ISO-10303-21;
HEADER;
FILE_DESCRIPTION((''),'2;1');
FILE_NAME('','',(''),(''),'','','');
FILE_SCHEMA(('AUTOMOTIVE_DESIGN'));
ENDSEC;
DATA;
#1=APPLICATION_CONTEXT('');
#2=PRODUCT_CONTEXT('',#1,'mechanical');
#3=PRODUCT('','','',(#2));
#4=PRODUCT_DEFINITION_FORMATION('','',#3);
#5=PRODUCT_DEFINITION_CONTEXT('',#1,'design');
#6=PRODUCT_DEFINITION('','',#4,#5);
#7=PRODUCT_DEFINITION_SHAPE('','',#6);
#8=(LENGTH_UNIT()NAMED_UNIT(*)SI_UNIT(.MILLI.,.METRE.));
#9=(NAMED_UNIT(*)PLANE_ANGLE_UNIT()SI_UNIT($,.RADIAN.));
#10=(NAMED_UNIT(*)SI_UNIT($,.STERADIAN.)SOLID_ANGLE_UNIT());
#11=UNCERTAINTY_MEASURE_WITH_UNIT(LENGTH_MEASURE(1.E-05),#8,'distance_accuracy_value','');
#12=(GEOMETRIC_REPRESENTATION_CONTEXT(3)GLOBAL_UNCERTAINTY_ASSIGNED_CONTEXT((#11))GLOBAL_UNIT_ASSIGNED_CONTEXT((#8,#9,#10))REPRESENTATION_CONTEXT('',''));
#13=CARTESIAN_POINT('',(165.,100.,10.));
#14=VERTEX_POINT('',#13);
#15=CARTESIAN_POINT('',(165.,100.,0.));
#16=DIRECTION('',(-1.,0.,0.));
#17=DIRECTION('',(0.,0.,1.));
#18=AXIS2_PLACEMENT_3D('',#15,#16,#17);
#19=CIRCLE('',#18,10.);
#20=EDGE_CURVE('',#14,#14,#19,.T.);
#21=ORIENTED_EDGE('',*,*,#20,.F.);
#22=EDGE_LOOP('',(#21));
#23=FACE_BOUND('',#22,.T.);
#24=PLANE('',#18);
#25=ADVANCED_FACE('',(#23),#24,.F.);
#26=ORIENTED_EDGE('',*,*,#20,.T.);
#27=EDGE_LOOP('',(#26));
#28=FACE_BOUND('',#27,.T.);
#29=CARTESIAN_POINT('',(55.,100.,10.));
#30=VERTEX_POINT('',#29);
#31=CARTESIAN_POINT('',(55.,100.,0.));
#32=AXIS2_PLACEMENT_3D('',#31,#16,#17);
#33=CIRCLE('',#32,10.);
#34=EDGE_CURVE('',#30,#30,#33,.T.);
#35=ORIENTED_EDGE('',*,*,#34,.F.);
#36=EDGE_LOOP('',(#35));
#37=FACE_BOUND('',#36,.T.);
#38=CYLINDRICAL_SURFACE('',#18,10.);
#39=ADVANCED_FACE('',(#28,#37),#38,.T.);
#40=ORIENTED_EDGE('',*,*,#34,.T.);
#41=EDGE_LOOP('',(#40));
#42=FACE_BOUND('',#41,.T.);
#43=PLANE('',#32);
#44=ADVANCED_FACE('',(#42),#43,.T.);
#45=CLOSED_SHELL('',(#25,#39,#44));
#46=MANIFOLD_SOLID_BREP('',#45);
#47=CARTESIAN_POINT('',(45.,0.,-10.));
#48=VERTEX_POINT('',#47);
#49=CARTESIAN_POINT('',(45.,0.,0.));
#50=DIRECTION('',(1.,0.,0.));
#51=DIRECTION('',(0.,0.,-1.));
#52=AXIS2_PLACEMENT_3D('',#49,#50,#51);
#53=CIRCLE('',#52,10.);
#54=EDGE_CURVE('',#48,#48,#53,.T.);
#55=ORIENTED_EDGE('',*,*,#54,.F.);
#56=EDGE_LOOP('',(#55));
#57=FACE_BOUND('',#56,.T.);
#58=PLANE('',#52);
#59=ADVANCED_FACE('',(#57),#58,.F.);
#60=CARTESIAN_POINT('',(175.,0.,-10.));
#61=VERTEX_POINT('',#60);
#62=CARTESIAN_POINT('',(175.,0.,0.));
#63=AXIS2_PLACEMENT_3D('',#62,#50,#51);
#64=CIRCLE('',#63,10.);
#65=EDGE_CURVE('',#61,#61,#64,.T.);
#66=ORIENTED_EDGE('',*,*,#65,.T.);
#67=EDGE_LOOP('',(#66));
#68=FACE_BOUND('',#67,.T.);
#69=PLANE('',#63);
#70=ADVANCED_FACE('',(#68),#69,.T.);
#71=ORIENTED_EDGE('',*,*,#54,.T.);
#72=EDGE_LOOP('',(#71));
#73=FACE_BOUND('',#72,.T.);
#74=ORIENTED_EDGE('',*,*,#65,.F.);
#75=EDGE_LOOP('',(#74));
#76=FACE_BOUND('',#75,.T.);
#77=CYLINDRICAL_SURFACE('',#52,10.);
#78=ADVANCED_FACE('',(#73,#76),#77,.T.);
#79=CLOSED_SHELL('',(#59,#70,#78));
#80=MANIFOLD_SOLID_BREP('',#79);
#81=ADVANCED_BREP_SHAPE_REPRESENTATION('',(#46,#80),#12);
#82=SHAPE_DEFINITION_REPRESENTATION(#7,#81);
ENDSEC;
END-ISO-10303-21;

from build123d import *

# Parameters (mm, degrees)
WYCI_GNI_CIE_PO_CIE_CE1_PROFILE_R = 10
WYCI_GNI_CIE_PO_CIE_CE2_PROFILE_R = 10


with BuildPart() as part:
    # Wyciągnięcie po ścieżce1: sweep along a path in Szkic1
    with BuildLine(Plane.XY) as wyci_gni_cie_po_cie_ce1_path:
        Line((165, 100), (55, 100))
    # Wyciągnięcie po ścieżce1 profile (on start of the path) → Wyciągnięcie po ścieżce1 (sweep)
    with BuildSketch(Plane(origin=(165, 100, 0), x_dir=(0, 0, -1), z_dir=(-1, 0, 0))):
        Circle(WYCI_GNI_CIE_PO_CIE_CE1_PROFILE_R)
    sweep(path=wyci_gni_cie_po_cie_ce1_path.line)


with BuildPart() as body_2:
    # Wyciągnięcie po ścieżce2: sweep along a path in Szkic6
    with BuildLine(Plane.XY) as wyci_gni_cie_po_cie_ce2_path:
        Line((45, 0), (175, 0))
    # Wyciągnięcie po ścieżce2 profile (on start of the path) → Wyciągnięcie po ścieżce2 (sweep)
    with BuildSketch(Plane(origin=(45, 0, 0), x_dir=(0, 0, 1), z_dir=(1, 0, 0))):
        Circle(WYCI_GNI_CIE_PO_CIE_CE2_PROFILE_R)
    sweep(path=wyci_gni_cie_po_cie_ce2_path.line)


solid = Compound([part.part, body_2.part])
